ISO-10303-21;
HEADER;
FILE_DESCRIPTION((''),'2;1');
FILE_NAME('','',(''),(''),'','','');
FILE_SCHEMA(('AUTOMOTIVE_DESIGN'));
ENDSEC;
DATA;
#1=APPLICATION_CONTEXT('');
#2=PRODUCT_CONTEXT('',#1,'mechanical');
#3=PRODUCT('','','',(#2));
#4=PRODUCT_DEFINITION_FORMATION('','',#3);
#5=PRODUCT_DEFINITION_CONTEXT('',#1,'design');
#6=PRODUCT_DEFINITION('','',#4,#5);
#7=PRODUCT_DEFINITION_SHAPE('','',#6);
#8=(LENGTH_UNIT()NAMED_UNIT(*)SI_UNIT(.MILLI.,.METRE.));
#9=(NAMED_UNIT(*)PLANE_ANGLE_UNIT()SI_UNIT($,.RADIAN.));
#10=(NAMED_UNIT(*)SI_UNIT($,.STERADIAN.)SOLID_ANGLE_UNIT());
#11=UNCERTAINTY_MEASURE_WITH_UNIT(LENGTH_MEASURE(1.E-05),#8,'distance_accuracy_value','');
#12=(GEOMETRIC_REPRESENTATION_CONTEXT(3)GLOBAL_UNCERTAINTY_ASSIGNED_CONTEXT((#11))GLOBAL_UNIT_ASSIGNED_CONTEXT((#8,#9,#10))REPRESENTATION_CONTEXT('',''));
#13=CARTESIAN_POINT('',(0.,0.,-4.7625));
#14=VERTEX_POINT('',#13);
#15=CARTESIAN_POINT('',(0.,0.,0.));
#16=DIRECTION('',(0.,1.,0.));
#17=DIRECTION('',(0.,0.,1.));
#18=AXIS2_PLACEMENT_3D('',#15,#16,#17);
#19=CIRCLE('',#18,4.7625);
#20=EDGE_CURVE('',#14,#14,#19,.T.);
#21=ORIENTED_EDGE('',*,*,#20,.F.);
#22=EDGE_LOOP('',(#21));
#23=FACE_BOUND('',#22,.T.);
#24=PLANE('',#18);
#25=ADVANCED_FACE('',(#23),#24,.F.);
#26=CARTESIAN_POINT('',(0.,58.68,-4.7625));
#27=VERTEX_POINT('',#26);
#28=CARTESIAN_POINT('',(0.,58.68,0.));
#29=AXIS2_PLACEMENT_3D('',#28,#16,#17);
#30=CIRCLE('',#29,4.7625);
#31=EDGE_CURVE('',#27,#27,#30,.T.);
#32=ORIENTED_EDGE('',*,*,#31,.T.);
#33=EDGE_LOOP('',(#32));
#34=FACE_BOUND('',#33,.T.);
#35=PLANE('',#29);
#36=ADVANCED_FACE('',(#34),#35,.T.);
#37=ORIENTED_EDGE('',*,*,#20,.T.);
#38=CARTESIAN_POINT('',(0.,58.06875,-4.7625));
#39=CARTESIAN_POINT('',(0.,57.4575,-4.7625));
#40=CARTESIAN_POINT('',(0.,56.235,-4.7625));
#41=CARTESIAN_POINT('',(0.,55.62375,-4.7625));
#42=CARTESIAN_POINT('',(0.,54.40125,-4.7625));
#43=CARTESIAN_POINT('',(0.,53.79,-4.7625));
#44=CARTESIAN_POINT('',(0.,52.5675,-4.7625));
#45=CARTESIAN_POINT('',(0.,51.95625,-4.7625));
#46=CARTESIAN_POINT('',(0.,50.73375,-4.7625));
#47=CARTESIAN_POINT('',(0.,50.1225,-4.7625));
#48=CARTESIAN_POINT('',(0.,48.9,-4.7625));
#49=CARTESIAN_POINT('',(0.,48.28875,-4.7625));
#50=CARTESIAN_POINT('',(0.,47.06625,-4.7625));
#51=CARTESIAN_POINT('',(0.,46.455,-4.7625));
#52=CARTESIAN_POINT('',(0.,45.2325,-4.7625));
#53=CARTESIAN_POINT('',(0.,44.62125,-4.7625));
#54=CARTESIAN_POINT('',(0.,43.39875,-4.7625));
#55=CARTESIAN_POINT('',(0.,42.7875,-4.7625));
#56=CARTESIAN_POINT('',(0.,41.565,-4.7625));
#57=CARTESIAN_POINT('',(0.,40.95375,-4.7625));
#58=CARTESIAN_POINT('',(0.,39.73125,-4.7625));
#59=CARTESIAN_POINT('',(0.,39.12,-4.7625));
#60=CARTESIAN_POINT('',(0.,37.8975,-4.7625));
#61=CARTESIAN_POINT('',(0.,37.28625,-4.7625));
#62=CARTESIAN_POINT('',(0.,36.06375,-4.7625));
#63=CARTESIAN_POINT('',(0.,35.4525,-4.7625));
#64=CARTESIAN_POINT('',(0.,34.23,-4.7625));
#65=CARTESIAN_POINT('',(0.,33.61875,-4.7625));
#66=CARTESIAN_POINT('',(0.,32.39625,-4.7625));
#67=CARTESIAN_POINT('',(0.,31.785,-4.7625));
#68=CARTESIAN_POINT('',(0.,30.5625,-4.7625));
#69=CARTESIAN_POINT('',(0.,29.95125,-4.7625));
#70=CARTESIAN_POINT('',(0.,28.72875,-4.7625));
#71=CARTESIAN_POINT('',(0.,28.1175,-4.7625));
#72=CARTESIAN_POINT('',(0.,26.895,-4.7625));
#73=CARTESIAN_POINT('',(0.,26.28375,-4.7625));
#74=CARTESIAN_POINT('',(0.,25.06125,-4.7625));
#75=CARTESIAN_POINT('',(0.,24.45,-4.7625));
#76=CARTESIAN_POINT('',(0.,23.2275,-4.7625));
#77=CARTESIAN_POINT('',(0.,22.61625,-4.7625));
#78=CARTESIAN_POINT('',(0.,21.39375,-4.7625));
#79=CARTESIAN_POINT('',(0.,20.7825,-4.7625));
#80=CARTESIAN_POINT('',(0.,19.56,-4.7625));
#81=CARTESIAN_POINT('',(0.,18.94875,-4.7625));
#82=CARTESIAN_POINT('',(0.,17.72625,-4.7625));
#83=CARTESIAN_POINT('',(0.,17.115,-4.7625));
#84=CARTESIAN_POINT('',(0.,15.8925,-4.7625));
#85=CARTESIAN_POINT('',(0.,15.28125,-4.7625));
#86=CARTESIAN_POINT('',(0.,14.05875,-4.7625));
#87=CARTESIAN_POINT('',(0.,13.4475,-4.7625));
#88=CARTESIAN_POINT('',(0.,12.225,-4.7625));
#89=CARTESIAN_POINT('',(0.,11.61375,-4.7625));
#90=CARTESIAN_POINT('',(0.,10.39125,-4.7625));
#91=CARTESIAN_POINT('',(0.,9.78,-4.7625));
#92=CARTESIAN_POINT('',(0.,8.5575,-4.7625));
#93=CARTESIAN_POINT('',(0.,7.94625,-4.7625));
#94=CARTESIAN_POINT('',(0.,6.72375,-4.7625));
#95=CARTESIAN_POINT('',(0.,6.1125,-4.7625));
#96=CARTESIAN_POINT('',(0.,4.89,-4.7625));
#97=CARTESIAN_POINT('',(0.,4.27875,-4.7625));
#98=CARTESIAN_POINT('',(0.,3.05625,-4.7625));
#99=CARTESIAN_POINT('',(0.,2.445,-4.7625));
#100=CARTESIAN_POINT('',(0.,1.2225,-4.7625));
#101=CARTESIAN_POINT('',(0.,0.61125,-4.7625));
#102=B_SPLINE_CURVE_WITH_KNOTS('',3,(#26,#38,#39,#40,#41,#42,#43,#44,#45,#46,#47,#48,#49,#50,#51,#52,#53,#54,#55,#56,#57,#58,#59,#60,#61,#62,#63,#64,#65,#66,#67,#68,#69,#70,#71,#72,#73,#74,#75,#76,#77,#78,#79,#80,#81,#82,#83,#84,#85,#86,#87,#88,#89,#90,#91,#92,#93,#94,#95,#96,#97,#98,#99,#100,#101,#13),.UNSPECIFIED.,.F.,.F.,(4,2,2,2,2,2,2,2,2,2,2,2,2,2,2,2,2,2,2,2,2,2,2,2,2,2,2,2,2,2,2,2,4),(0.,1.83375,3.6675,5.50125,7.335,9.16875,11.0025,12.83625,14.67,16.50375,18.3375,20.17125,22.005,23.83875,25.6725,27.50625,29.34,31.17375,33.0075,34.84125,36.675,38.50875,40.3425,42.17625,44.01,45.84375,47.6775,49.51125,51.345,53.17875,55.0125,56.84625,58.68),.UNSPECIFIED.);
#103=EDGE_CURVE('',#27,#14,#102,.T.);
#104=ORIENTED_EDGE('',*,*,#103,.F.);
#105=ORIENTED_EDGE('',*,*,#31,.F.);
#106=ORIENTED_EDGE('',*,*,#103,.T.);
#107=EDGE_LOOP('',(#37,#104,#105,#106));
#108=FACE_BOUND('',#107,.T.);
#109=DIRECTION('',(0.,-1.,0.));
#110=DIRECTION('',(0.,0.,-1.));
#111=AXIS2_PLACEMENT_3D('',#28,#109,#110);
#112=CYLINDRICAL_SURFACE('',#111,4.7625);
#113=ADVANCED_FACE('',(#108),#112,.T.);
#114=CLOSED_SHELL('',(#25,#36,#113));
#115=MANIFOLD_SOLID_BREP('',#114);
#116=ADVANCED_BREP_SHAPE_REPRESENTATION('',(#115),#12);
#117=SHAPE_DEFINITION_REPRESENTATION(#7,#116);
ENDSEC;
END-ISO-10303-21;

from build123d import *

# Parameters (mm, degrees)
CROQUIS1_R              = 4.7625
SALIENTE_EXTRUIR1_DEPTH = 58.68


with BuildPart() as part:
    # Croquis1 → Saliente-Extruir1 (new body)
    with BuildSketch(Plane(origin=(0, 0, 0), x_dir=(1, 0, 0), z_dir=(0, 1, 0))):
        with Locations(Location((0, 0, 0), (0, 0, 90))):
            Circle(CROQUIS1_R)
    extrude(amount=SALIENTE_EXTRUIR1_DEPTH)


solid = part.part
